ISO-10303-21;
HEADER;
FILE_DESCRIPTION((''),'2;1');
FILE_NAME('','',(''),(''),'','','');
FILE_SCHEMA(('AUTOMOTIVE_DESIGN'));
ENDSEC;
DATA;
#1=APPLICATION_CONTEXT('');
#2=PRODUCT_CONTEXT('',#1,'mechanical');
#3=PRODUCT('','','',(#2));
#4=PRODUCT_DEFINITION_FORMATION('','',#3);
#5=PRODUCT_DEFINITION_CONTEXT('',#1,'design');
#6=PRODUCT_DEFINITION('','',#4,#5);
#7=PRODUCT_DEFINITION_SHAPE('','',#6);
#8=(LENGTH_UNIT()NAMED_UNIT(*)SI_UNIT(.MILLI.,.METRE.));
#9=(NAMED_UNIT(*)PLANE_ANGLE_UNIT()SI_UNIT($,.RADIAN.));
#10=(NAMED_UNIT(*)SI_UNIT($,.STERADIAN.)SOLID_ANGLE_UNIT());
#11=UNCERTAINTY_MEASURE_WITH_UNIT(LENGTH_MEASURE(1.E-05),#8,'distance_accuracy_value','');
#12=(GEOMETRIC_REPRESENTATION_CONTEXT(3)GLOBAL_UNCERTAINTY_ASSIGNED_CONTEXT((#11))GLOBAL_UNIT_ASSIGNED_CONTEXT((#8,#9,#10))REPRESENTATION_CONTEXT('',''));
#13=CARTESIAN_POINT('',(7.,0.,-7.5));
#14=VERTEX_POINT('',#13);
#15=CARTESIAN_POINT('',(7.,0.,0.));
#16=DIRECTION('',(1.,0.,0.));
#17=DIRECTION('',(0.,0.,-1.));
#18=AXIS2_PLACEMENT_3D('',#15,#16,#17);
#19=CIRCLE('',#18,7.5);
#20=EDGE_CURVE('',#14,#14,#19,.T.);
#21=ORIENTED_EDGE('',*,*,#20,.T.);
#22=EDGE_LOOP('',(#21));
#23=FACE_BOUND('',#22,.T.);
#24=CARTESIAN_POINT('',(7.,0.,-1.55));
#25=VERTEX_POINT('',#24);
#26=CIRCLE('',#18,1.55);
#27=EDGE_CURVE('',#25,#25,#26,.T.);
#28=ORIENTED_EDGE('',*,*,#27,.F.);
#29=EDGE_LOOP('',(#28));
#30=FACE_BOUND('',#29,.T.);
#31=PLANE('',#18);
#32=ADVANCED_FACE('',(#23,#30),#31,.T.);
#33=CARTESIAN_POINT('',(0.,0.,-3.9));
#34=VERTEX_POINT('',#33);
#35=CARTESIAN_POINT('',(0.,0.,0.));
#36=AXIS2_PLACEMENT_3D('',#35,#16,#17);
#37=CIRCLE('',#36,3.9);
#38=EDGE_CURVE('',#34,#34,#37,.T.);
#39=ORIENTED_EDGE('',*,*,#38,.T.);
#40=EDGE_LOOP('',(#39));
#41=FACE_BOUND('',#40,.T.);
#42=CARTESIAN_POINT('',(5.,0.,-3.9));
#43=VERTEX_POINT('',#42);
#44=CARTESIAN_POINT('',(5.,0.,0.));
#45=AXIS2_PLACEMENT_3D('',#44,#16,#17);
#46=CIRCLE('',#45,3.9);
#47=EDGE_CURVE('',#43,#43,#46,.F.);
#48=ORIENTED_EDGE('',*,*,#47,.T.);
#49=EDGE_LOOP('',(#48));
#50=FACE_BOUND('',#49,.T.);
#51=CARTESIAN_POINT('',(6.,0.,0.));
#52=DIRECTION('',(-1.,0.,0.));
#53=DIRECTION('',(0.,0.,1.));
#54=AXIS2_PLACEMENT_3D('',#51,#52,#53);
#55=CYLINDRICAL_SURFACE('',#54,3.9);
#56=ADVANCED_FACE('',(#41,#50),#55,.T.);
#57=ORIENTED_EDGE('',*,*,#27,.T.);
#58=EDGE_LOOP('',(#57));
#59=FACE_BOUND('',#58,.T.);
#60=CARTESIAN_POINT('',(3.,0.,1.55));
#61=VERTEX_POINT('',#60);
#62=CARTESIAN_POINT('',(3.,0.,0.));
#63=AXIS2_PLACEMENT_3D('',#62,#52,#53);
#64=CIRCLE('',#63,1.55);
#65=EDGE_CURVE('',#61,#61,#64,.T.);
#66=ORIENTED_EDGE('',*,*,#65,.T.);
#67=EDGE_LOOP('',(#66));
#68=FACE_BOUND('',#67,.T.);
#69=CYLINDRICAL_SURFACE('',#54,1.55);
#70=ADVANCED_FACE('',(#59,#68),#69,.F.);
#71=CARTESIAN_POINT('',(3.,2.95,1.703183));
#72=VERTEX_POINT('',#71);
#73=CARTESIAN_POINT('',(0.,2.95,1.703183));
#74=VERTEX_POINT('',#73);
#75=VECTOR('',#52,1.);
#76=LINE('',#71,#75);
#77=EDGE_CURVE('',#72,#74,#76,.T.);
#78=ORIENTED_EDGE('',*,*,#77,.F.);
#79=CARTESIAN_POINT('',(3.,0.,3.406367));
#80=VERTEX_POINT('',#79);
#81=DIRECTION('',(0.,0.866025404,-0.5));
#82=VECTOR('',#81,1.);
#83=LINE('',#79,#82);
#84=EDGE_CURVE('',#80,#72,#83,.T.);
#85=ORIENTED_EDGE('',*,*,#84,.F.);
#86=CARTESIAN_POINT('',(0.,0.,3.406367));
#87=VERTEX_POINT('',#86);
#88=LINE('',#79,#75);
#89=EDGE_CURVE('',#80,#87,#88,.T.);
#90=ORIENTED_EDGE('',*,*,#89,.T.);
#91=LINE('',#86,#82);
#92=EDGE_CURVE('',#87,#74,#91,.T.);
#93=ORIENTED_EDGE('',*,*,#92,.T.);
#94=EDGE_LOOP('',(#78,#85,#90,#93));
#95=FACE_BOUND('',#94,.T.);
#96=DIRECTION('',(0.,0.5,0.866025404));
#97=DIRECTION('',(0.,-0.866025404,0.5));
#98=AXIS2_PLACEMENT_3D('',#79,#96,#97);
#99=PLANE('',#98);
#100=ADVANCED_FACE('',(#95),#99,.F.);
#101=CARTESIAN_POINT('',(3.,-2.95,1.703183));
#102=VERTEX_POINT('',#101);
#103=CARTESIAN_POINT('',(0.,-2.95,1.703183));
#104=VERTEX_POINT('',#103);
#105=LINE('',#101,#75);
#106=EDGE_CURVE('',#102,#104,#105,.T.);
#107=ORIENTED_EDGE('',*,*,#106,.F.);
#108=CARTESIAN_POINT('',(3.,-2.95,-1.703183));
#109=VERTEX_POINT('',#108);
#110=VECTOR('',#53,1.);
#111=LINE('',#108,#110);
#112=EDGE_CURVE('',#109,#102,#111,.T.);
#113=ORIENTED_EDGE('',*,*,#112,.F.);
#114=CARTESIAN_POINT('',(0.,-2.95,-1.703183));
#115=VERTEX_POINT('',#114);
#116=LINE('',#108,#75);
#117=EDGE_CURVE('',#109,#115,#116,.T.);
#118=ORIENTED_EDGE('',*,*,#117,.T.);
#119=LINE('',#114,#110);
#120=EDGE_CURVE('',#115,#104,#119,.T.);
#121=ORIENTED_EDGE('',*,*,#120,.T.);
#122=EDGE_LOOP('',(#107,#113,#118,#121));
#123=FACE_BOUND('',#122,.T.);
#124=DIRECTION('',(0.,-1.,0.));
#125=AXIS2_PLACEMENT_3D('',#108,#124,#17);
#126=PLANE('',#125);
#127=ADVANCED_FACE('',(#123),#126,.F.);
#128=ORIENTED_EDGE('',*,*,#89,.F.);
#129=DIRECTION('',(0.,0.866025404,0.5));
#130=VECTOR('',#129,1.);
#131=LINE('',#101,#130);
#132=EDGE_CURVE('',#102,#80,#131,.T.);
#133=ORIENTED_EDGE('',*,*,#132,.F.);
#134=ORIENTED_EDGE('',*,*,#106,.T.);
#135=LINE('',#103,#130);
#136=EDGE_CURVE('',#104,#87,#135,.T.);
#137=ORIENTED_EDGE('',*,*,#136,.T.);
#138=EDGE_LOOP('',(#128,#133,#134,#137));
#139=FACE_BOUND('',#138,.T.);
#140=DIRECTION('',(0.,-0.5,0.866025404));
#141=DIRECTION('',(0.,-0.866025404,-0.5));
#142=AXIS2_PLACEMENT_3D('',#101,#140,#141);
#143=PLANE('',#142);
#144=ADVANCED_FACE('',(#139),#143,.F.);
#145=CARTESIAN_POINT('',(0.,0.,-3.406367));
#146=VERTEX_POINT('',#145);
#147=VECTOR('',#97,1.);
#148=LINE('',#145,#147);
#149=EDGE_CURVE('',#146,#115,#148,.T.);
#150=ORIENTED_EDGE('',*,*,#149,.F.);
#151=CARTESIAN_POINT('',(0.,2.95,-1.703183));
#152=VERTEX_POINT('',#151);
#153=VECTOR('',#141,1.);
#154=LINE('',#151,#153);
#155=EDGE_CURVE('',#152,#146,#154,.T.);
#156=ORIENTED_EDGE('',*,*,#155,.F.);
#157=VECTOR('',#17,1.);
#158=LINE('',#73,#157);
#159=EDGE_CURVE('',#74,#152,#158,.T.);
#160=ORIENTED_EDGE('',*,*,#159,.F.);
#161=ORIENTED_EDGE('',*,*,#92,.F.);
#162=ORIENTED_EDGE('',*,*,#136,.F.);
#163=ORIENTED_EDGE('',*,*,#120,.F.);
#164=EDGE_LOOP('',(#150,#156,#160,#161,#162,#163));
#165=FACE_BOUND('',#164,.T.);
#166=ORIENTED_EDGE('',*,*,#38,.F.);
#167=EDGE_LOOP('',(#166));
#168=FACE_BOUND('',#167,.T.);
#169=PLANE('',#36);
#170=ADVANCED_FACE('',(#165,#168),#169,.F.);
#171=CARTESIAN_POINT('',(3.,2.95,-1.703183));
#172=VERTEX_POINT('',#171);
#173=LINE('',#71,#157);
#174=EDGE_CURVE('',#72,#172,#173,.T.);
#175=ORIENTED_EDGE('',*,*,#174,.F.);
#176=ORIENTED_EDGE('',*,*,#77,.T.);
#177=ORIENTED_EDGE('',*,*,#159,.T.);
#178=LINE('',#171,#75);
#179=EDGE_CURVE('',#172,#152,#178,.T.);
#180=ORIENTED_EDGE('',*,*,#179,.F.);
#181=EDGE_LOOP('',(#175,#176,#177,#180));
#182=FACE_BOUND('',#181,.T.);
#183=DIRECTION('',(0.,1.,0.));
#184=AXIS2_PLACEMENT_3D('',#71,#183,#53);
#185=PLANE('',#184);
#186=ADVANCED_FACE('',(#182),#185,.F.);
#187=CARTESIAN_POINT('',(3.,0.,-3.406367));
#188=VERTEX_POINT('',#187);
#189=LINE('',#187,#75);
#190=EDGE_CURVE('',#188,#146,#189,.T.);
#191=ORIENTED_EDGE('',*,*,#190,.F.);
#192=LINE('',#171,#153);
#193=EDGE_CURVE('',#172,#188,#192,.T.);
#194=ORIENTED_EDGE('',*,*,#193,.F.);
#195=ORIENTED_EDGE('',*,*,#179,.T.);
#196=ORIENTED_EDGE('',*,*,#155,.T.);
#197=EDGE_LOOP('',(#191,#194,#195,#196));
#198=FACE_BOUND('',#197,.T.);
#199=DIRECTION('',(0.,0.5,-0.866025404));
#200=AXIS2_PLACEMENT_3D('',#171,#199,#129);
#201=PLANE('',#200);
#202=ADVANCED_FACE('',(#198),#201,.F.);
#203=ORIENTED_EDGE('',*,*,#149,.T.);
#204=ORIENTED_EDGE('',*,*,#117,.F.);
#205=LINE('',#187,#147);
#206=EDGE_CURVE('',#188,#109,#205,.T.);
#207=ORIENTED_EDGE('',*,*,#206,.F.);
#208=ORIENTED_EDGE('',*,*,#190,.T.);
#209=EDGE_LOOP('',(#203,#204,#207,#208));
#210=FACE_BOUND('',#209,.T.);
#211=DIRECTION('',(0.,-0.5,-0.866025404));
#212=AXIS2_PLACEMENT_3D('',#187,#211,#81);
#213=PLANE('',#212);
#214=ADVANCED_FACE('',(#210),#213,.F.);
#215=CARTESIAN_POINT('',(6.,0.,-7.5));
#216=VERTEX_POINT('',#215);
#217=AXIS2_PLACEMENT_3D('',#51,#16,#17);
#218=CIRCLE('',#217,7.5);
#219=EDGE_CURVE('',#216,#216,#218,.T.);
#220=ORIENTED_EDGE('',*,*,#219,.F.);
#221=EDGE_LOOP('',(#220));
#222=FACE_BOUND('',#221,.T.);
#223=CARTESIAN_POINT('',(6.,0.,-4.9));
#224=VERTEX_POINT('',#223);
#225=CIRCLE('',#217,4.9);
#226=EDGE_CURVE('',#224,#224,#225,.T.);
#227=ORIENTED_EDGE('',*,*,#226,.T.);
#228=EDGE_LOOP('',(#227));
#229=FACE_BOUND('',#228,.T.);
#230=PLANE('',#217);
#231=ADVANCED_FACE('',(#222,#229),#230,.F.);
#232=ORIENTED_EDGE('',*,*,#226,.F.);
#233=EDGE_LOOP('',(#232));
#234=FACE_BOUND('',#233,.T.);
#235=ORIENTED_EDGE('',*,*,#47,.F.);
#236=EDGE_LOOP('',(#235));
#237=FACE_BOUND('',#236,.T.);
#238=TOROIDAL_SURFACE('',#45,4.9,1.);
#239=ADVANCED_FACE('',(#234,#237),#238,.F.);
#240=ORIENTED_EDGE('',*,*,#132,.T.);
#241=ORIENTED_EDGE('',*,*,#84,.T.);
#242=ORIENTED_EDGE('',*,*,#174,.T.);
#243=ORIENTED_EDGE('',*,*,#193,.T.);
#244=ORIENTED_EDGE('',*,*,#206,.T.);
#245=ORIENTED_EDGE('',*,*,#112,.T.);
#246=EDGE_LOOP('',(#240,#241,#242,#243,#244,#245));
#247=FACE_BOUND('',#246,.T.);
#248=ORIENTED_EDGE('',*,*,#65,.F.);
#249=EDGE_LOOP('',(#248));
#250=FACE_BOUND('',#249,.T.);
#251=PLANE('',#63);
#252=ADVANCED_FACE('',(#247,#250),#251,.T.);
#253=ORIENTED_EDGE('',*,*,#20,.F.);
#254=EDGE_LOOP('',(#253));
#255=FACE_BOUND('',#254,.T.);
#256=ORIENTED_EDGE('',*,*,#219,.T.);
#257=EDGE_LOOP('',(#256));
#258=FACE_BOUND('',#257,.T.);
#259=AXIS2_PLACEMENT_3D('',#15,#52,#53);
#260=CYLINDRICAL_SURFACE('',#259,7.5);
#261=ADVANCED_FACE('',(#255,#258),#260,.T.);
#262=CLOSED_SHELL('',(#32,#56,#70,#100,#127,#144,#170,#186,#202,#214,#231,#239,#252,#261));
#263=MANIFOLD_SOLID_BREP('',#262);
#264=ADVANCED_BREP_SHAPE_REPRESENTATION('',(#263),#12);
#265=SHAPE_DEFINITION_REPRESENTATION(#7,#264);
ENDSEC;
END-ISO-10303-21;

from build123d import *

# Parameters (mm, degrees)
ESBO_O1_R                = 3.9
ESBO_O1_R_2              = 1.55
RESSALTO_EXTRUS_O1_DEPTH = 6
ESBO_O2_R                = 7.5
ESBO_O2_R_2              = 1.55
RESSALTO_EXTRUS_O2_DEPTH = 1
CORTE_EXTRUS_O1_DEPTH    = 3
FILETE1_R                = 1


with BuildPart() as part:
    # Esboço1 → Ressalto-extrusão1 (new body)
    with BuildSketch(Plane(origin=(0, 0, 0), x_dir=(0, 0, -1), z_dir=(1, 0, 0))):
        Circle(ESBO_O1_R)
        Circle(ESBO_O1_R_2, mode=Mode.SUBTRACT)
    extrude(amount=RESSALTO_EXTRUS_O1_DEPTH)

    # Esboço2 → Ressalto-extrusão2 (add)
    with BuildSketch(Plane(origin=(6, 0, 0), x_dir=(0, 0, -1), z_dir=(1, 0, 0))):
        Circle(ESBO_O2_R)
        Circle(ESBO_O2_R_2, mode=Mode.SUBTRACT)
    extrude(amount=RESSALTO_EXTRUS_O2_DEPTH)

    # Esboço3 → Corte-extrusão1 (cut)
    with BuildSketch(Plane.ZY):
        Polygon((1.703183294, -2.95), (3.406366588, 0), (1.703183294, 2.95), (-1.703183294, 2.95), (-3.406366588, 0), (-1.703183294, -2.95), align=None)
    extrude(amount=-CORTE_EXTRUS_O1_DEPTH, mode=Mode.SUBTRACT)

    # Filete1
    filete1_edges = [part.edges().sort_by_distance(p)[0] for p in [
        (6, 0, 3.9),
    ]]
    fillet(filete1_edges, radius=FILETE1_R)


solid = part.part
